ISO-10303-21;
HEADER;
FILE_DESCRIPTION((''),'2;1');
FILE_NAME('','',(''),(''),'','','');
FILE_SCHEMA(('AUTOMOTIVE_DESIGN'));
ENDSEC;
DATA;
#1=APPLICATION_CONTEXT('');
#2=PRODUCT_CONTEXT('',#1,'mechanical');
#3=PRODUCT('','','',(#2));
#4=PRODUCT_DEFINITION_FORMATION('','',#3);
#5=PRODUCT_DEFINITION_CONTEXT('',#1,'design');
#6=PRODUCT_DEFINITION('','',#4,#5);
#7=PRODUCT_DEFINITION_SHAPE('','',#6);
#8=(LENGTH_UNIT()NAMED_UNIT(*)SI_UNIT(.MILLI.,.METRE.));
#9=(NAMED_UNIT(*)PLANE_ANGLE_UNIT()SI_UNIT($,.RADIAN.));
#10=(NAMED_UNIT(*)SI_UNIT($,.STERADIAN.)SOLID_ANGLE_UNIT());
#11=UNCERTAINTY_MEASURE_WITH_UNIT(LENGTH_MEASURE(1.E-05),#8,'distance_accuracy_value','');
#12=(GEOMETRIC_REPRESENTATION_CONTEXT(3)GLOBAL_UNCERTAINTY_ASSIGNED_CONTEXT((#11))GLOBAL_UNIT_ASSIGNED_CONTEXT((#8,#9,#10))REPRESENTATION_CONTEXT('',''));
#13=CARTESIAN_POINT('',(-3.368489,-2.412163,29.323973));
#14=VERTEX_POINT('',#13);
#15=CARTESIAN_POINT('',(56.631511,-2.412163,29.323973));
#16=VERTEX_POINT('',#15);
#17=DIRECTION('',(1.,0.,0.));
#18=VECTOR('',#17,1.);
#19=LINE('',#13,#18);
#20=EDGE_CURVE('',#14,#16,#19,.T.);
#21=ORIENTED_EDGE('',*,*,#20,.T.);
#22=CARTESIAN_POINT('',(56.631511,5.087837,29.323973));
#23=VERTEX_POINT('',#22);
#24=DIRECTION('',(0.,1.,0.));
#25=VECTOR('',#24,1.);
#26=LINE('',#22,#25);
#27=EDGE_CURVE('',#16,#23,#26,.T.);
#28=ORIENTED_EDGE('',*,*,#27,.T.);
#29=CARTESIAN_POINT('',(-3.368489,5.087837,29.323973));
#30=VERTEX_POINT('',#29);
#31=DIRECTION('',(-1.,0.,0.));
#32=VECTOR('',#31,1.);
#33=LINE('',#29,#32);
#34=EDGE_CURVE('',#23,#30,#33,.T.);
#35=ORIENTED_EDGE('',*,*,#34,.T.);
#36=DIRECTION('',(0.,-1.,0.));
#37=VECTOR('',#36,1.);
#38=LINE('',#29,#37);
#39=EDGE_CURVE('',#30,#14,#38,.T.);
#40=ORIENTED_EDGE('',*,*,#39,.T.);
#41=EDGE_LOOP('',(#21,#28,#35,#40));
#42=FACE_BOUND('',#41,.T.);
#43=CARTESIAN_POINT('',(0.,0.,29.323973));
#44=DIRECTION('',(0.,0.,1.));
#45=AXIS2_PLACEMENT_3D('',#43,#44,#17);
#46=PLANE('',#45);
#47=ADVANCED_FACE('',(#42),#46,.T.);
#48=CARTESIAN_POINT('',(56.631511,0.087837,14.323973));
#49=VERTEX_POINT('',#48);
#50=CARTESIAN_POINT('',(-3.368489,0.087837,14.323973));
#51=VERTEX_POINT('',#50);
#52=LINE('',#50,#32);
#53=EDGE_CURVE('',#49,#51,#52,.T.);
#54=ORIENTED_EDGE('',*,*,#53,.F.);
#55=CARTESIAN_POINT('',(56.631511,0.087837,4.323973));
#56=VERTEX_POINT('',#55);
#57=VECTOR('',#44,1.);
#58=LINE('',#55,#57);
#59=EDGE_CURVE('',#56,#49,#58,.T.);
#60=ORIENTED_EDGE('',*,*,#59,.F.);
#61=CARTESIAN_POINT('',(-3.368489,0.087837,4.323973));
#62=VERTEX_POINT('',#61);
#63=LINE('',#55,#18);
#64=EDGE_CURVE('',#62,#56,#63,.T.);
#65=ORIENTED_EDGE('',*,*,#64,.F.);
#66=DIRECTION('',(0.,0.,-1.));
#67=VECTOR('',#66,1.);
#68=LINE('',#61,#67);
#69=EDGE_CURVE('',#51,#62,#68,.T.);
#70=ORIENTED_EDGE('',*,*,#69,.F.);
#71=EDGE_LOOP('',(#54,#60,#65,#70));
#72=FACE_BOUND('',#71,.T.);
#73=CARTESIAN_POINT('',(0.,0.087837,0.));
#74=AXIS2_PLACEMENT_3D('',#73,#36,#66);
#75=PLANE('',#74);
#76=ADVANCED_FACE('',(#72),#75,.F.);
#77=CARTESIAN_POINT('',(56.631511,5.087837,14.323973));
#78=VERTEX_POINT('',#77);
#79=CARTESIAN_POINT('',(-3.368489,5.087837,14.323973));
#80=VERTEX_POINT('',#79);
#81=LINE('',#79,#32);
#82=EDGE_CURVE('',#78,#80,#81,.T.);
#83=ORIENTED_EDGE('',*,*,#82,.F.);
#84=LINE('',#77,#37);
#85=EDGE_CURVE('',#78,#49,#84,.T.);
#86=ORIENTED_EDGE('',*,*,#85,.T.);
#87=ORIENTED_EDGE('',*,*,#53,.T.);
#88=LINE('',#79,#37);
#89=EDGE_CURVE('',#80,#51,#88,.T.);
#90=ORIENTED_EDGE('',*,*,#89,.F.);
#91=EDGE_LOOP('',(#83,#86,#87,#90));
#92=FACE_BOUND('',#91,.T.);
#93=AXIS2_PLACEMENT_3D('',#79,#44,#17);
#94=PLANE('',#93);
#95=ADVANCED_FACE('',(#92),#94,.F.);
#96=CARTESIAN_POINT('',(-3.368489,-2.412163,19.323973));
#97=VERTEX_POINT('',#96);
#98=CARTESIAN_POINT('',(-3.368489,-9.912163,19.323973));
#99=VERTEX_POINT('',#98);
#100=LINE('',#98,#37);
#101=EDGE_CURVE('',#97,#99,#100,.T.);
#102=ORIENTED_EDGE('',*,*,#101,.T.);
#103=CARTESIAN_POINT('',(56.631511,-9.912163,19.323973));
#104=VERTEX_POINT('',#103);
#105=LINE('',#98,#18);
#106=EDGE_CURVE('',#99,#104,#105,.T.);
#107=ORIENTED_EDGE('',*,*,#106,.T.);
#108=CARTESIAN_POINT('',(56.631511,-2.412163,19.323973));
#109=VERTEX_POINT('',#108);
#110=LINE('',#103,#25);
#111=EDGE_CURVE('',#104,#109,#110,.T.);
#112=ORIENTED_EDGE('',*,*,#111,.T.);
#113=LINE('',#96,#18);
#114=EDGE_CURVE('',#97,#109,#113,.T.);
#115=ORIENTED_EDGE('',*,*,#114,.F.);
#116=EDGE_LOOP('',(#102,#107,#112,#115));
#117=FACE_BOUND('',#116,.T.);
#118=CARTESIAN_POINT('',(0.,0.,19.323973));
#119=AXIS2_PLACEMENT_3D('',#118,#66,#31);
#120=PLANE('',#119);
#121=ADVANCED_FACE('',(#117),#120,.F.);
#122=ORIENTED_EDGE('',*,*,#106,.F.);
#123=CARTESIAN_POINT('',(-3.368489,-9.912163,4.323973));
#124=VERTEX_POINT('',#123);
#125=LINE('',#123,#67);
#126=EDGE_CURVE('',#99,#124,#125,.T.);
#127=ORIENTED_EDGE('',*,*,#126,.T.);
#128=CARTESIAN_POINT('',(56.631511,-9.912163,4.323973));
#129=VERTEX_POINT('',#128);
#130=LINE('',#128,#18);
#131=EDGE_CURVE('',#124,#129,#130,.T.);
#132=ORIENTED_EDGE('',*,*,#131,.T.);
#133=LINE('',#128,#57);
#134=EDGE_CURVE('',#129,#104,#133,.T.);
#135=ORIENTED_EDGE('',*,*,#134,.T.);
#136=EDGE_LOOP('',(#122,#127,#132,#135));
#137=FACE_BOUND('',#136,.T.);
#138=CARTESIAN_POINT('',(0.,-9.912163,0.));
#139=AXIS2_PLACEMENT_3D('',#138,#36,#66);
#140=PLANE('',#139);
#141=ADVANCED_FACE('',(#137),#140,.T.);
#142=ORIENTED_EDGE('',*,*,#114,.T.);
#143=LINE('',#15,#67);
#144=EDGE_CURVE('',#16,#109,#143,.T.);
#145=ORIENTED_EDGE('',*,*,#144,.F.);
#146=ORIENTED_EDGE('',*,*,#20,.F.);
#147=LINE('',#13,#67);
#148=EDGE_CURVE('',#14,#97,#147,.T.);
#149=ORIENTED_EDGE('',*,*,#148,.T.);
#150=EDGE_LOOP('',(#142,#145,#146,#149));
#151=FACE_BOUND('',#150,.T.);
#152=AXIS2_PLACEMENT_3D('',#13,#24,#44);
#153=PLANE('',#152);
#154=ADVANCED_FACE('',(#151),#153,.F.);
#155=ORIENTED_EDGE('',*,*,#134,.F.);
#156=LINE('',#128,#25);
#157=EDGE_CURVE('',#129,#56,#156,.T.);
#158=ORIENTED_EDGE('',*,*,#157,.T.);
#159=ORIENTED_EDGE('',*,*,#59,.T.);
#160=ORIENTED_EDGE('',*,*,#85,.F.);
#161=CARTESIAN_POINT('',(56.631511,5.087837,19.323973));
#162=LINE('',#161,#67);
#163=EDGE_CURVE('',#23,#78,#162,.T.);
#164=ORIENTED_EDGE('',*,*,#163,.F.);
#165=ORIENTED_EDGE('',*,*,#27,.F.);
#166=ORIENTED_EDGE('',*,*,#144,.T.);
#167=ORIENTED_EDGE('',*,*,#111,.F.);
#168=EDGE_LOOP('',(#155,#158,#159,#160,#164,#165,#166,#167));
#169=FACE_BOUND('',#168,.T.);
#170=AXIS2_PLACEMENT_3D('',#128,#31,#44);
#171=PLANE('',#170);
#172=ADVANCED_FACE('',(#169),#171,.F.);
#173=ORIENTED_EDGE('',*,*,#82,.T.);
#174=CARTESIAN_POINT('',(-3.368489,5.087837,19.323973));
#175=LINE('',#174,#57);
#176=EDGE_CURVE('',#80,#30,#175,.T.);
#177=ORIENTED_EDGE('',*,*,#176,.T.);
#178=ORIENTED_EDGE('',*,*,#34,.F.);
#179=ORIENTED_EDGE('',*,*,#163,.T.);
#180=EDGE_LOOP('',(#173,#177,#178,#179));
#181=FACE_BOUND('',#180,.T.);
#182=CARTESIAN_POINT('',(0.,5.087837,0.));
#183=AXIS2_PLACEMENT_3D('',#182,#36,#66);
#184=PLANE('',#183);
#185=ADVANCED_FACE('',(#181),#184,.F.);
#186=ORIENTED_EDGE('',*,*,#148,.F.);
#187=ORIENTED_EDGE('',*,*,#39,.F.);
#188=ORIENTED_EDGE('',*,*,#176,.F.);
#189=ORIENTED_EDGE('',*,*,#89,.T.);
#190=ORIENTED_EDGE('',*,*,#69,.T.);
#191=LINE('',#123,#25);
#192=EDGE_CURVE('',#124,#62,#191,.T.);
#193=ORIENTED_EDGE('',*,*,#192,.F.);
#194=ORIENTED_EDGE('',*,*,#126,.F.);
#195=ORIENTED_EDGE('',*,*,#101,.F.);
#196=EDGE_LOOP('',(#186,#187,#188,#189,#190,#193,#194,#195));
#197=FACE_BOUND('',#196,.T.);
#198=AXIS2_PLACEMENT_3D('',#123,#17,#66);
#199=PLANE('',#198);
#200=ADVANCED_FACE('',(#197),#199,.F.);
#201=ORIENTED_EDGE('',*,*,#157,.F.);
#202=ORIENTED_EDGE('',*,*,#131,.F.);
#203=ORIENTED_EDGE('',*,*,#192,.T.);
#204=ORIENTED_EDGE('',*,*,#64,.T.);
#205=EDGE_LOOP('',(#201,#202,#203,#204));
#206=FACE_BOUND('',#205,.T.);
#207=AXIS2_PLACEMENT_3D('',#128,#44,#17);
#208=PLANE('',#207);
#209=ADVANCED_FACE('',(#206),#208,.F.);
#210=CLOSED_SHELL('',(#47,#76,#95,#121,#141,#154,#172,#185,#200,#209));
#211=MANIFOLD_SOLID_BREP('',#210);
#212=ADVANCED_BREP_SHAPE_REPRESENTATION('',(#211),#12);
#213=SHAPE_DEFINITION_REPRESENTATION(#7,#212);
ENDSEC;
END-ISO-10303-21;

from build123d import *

# Parameters (mm, degrees)
SKETCH_3_W      = 60
SKETCH_3_H      = 10
EXTRUDE_1_DEPTH = 10
SKETCH_4_W      = 60
SKETCH_4_H      = 10
EXTRUDE_2_DEPTH = 5
SKETCH_5_W      = 60
SKETCH_5_H      = 5
EXTRUDE_3_DEPTH = 5
SKETCH_6_W      = 60
SKETCH_6_H      = 7.5
EXTRUDE_4_DEPTH = 10


with BuildPart() as part:
    # 草图3 → 凸台-拉伸1 (new body)
    with BuildSketch(Plane.XZ.offset(-0.087836635)):
        with Locations((26.631510997, 9.323973154)):
            Rectangle(SKETCH_3_W, SKETCH_3_H)
    extrude(amount=EXTRUDE_1_DEPTH)

    # 草图4 → 凸台-拉伸2 (add)
    with BuildSketch(Plane.XY.offset(14.323973154)):
        with Locations((26.631510997, -4.912163365)):
            Rectangle(SKETCH_4_W, SKETCH_4_H)
    extrude(amount=EXTRUDE_2_DEPTH)

    # 草图5 → 凸台-拉伸3 (add)
    with BuildSketch(Plane(origin=(0, 0.087836635, 0), x_dir=(1, 0, 0), z_dir=(0, 1, 0))):
        with Locations((26.631510997, -16.823973154)):
            Rectangle(SKETCH_5_W, SKETCH_5_H)
    extrude(amount=EXTRUDE_3_DEPTH)

    # 草图6 → 凸台-拉伸4 (add)
    with BuildSketch(Plane.XY.offset(19.323973154)):
        with Locations((26.631510997, 1.337836635)):
            Rectangle(SKETCH_6_W, SKETCH_6_H)
    extrude(amount=EXTRUDE_4_DEPTH)


solid = part.part
